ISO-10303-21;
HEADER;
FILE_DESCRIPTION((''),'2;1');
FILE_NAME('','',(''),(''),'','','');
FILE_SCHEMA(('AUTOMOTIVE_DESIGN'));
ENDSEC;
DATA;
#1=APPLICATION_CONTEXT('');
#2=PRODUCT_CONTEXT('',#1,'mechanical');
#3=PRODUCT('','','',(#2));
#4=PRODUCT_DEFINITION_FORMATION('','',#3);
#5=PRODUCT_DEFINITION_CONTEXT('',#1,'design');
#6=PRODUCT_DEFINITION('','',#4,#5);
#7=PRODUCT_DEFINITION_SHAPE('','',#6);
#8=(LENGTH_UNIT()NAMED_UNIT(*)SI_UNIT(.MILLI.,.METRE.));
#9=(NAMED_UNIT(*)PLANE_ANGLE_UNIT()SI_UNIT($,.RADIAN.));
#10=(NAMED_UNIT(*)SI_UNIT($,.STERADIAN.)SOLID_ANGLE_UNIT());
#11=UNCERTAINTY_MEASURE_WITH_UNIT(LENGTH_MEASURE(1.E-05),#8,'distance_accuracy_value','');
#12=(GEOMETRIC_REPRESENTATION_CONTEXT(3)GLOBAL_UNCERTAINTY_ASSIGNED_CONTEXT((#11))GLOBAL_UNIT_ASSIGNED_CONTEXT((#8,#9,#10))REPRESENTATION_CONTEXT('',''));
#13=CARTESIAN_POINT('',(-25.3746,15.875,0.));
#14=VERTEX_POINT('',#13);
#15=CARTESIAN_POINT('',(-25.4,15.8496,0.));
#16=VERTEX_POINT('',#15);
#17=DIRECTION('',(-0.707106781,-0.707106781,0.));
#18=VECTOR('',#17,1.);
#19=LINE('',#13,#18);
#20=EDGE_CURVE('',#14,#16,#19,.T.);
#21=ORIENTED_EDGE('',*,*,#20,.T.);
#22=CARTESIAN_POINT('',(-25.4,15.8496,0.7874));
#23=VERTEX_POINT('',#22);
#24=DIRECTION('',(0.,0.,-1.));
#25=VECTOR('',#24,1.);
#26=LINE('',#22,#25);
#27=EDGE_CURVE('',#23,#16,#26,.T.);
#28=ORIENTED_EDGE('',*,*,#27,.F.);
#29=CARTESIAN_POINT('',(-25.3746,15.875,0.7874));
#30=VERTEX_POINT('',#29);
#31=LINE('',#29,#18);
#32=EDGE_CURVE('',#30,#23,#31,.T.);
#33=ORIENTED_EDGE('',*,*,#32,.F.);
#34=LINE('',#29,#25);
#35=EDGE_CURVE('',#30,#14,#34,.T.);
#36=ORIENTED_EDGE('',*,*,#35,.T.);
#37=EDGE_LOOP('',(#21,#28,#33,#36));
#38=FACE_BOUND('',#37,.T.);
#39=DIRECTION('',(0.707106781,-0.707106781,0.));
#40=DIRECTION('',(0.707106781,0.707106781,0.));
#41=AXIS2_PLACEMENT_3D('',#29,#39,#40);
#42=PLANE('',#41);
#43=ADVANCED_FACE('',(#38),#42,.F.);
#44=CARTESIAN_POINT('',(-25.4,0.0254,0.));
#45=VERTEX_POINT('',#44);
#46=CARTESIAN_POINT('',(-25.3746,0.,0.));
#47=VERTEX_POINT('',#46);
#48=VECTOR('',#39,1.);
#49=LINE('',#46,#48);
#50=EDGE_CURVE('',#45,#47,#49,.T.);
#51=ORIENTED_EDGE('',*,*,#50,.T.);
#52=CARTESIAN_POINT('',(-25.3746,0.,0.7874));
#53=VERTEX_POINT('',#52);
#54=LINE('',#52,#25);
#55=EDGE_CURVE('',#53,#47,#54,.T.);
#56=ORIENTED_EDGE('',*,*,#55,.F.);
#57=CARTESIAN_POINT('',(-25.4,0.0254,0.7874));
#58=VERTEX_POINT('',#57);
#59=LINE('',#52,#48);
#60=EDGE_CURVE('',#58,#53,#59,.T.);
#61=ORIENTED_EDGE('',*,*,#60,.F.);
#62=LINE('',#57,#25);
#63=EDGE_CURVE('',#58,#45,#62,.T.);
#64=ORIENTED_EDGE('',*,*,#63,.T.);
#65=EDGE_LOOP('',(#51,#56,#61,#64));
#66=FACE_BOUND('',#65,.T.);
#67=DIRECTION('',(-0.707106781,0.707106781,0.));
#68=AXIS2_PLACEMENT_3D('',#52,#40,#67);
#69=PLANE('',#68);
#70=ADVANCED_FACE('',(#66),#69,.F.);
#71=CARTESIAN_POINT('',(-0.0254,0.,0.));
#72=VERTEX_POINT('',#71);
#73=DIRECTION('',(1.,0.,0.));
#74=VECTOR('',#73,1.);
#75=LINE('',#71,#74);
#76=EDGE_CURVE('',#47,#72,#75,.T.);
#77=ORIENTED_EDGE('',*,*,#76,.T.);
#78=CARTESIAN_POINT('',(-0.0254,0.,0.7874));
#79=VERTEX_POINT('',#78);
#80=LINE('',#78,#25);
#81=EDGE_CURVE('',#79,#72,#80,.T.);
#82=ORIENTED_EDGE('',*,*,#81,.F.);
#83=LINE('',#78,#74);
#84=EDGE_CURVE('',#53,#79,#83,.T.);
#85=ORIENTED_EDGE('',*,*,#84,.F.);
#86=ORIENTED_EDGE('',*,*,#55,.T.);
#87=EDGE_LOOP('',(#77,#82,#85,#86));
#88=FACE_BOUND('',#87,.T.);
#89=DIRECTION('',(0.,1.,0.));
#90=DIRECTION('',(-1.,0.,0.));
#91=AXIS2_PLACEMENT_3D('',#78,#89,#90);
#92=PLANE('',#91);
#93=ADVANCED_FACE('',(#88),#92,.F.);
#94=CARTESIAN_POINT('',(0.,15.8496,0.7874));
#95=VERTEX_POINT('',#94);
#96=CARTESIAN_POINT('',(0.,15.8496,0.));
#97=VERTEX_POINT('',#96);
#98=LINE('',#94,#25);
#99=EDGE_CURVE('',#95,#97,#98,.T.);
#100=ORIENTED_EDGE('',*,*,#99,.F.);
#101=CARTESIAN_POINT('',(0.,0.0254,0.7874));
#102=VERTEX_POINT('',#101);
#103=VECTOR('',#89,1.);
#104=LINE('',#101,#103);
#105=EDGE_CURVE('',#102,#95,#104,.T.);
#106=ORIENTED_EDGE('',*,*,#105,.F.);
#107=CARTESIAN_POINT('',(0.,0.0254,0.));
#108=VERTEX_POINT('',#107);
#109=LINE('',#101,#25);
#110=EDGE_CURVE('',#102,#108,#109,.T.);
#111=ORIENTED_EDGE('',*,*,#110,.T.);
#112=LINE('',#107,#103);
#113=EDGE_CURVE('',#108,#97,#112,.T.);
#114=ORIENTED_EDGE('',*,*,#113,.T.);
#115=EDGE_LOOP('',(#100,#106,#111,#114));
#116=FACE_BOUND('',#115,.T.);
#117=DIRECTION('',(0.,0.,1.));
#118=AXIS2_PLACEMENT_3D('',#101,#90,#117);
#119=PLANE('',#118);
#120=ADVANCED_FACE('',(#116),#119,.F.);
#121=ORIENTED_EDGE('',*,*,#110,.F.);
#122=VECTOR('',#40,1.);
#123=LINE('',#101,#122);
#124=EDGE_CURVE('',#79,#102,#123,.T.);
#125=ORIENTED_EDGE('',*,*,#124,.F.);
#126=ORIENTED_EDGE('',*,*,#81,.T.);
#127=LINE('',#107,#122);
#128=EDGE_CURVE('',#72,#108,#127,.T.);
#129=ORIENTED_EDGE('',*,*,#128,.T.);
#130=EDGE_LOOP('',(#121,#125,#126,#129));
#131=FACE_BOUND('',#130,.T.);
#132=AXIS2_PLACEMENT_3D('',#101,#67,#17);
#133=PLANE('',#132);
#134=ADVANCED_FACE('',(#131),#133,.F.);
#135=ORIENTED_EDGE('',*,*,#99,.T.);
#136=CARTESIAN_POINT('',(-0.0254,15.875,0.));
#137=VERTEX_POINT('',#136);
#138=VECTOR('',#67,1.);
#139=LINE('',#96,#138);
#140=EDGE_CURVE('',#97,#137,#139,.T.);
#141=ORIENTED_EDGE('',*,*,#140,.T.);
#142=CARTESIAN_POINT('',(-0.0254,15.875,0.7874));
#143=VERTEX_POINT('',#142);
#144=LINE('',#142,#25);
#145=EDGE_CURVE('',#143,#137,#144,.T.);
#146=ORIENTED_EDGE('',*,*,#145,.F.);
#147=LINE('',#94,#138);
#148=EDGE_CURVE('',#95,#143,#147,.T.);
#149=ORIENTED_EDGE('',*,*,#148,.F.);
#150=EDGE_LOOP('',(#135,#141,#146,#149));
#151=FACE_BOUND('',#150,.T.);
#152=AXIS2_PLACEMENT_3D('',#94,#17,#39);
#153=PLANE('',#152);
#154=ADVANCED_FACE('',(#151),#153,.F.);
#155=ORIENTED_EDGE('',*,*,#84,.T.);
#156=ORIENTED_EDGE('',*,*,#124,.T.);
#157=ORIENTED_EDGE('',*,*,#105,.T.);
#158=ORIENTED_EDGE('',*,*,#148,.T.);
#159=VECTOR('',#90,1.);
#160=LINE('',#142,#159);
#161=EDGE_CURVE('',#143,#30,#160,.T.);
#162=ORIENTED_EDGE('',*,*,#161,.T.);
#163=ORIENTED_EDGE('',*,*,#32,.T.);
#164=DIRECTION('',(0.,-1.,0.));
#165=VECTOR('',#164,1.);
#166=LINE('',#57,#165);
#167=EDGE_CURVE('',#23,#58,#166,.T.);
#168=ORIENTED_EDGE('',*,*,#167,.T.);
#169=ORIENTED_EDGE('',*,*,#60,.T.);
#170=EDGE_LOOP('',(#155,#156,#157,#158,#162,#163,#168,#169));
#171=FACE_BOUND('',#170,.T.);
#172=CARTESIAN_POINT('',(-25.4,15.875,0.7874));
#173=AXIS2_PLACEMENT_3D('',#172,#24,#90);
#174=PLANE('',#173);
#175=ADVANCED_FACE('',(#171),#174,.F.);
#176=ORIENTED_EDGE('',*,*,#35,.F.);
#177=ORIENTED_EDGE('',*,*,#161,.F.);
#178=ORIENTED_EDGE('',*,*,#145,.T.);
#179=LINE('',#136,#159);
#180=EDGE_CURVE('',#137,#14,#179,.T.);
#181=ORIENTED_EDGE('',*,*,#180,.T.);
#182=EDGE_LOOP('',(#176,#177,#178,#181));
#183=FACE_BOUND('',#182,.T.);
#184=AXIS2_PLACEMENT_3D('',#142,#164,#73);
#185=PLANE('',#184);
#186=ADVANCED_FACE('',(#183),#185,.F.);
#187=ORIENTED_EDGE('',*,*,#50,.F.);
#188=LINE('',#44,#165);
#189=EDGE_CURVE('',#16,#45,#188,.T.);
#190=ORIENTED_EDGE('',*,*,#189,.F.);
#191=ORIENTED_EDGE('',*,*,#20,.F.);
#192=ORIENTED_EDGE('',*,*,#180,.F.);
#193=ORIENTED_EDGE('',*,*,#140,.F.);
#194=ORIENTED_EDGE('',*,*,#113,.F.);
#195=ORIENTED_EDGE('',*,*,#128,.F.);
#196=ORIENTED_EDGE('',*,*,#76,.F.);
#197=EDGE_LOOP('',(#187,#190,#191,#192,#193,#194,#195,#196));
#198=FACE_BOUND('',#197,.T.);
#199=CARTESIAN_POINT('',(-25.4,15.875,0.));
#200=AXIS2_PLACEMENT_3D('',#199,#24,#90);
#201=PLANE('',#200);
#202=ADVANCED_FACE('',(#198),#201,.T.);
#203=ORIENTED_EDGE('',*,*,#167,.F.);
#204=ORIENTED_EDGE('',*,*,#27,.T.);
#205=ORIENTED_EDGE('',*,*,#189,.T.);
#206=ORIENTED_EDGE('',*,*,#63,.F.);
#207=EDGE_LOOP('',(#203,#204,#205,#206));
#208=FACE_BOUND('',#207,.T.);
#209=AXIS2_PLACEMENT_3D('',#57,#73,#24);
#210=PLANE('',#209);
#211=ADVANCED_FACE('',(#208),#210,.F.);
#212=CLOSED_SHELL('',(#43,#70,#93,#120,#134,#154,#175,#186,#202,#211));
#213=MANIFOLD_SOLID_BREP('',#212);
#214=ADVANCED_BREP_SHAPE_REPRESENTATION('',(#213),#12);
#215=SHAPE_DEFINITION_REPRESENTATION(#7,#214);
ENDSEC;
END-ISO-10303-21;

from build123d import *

# Parameters (mm, degrees)
EXTRUDE1_DEPTH = 0.7874


with BuildPart() as part:
    # Sketch1 → Extrude1 (new body)
    with BuildSketch(Plane.XY):
        Polygon((-25.3746, 15.875), (-25.4, 15.8496), (-25.4, 0.0254), (-25.3746, 0), (-0.0254, 0), (0, 0.0254), (0, 15.8496), (-0.0254, 15.875), align=None)
    extrude(amount=EXTRUDE1_DEPTH)


solid = part.part
